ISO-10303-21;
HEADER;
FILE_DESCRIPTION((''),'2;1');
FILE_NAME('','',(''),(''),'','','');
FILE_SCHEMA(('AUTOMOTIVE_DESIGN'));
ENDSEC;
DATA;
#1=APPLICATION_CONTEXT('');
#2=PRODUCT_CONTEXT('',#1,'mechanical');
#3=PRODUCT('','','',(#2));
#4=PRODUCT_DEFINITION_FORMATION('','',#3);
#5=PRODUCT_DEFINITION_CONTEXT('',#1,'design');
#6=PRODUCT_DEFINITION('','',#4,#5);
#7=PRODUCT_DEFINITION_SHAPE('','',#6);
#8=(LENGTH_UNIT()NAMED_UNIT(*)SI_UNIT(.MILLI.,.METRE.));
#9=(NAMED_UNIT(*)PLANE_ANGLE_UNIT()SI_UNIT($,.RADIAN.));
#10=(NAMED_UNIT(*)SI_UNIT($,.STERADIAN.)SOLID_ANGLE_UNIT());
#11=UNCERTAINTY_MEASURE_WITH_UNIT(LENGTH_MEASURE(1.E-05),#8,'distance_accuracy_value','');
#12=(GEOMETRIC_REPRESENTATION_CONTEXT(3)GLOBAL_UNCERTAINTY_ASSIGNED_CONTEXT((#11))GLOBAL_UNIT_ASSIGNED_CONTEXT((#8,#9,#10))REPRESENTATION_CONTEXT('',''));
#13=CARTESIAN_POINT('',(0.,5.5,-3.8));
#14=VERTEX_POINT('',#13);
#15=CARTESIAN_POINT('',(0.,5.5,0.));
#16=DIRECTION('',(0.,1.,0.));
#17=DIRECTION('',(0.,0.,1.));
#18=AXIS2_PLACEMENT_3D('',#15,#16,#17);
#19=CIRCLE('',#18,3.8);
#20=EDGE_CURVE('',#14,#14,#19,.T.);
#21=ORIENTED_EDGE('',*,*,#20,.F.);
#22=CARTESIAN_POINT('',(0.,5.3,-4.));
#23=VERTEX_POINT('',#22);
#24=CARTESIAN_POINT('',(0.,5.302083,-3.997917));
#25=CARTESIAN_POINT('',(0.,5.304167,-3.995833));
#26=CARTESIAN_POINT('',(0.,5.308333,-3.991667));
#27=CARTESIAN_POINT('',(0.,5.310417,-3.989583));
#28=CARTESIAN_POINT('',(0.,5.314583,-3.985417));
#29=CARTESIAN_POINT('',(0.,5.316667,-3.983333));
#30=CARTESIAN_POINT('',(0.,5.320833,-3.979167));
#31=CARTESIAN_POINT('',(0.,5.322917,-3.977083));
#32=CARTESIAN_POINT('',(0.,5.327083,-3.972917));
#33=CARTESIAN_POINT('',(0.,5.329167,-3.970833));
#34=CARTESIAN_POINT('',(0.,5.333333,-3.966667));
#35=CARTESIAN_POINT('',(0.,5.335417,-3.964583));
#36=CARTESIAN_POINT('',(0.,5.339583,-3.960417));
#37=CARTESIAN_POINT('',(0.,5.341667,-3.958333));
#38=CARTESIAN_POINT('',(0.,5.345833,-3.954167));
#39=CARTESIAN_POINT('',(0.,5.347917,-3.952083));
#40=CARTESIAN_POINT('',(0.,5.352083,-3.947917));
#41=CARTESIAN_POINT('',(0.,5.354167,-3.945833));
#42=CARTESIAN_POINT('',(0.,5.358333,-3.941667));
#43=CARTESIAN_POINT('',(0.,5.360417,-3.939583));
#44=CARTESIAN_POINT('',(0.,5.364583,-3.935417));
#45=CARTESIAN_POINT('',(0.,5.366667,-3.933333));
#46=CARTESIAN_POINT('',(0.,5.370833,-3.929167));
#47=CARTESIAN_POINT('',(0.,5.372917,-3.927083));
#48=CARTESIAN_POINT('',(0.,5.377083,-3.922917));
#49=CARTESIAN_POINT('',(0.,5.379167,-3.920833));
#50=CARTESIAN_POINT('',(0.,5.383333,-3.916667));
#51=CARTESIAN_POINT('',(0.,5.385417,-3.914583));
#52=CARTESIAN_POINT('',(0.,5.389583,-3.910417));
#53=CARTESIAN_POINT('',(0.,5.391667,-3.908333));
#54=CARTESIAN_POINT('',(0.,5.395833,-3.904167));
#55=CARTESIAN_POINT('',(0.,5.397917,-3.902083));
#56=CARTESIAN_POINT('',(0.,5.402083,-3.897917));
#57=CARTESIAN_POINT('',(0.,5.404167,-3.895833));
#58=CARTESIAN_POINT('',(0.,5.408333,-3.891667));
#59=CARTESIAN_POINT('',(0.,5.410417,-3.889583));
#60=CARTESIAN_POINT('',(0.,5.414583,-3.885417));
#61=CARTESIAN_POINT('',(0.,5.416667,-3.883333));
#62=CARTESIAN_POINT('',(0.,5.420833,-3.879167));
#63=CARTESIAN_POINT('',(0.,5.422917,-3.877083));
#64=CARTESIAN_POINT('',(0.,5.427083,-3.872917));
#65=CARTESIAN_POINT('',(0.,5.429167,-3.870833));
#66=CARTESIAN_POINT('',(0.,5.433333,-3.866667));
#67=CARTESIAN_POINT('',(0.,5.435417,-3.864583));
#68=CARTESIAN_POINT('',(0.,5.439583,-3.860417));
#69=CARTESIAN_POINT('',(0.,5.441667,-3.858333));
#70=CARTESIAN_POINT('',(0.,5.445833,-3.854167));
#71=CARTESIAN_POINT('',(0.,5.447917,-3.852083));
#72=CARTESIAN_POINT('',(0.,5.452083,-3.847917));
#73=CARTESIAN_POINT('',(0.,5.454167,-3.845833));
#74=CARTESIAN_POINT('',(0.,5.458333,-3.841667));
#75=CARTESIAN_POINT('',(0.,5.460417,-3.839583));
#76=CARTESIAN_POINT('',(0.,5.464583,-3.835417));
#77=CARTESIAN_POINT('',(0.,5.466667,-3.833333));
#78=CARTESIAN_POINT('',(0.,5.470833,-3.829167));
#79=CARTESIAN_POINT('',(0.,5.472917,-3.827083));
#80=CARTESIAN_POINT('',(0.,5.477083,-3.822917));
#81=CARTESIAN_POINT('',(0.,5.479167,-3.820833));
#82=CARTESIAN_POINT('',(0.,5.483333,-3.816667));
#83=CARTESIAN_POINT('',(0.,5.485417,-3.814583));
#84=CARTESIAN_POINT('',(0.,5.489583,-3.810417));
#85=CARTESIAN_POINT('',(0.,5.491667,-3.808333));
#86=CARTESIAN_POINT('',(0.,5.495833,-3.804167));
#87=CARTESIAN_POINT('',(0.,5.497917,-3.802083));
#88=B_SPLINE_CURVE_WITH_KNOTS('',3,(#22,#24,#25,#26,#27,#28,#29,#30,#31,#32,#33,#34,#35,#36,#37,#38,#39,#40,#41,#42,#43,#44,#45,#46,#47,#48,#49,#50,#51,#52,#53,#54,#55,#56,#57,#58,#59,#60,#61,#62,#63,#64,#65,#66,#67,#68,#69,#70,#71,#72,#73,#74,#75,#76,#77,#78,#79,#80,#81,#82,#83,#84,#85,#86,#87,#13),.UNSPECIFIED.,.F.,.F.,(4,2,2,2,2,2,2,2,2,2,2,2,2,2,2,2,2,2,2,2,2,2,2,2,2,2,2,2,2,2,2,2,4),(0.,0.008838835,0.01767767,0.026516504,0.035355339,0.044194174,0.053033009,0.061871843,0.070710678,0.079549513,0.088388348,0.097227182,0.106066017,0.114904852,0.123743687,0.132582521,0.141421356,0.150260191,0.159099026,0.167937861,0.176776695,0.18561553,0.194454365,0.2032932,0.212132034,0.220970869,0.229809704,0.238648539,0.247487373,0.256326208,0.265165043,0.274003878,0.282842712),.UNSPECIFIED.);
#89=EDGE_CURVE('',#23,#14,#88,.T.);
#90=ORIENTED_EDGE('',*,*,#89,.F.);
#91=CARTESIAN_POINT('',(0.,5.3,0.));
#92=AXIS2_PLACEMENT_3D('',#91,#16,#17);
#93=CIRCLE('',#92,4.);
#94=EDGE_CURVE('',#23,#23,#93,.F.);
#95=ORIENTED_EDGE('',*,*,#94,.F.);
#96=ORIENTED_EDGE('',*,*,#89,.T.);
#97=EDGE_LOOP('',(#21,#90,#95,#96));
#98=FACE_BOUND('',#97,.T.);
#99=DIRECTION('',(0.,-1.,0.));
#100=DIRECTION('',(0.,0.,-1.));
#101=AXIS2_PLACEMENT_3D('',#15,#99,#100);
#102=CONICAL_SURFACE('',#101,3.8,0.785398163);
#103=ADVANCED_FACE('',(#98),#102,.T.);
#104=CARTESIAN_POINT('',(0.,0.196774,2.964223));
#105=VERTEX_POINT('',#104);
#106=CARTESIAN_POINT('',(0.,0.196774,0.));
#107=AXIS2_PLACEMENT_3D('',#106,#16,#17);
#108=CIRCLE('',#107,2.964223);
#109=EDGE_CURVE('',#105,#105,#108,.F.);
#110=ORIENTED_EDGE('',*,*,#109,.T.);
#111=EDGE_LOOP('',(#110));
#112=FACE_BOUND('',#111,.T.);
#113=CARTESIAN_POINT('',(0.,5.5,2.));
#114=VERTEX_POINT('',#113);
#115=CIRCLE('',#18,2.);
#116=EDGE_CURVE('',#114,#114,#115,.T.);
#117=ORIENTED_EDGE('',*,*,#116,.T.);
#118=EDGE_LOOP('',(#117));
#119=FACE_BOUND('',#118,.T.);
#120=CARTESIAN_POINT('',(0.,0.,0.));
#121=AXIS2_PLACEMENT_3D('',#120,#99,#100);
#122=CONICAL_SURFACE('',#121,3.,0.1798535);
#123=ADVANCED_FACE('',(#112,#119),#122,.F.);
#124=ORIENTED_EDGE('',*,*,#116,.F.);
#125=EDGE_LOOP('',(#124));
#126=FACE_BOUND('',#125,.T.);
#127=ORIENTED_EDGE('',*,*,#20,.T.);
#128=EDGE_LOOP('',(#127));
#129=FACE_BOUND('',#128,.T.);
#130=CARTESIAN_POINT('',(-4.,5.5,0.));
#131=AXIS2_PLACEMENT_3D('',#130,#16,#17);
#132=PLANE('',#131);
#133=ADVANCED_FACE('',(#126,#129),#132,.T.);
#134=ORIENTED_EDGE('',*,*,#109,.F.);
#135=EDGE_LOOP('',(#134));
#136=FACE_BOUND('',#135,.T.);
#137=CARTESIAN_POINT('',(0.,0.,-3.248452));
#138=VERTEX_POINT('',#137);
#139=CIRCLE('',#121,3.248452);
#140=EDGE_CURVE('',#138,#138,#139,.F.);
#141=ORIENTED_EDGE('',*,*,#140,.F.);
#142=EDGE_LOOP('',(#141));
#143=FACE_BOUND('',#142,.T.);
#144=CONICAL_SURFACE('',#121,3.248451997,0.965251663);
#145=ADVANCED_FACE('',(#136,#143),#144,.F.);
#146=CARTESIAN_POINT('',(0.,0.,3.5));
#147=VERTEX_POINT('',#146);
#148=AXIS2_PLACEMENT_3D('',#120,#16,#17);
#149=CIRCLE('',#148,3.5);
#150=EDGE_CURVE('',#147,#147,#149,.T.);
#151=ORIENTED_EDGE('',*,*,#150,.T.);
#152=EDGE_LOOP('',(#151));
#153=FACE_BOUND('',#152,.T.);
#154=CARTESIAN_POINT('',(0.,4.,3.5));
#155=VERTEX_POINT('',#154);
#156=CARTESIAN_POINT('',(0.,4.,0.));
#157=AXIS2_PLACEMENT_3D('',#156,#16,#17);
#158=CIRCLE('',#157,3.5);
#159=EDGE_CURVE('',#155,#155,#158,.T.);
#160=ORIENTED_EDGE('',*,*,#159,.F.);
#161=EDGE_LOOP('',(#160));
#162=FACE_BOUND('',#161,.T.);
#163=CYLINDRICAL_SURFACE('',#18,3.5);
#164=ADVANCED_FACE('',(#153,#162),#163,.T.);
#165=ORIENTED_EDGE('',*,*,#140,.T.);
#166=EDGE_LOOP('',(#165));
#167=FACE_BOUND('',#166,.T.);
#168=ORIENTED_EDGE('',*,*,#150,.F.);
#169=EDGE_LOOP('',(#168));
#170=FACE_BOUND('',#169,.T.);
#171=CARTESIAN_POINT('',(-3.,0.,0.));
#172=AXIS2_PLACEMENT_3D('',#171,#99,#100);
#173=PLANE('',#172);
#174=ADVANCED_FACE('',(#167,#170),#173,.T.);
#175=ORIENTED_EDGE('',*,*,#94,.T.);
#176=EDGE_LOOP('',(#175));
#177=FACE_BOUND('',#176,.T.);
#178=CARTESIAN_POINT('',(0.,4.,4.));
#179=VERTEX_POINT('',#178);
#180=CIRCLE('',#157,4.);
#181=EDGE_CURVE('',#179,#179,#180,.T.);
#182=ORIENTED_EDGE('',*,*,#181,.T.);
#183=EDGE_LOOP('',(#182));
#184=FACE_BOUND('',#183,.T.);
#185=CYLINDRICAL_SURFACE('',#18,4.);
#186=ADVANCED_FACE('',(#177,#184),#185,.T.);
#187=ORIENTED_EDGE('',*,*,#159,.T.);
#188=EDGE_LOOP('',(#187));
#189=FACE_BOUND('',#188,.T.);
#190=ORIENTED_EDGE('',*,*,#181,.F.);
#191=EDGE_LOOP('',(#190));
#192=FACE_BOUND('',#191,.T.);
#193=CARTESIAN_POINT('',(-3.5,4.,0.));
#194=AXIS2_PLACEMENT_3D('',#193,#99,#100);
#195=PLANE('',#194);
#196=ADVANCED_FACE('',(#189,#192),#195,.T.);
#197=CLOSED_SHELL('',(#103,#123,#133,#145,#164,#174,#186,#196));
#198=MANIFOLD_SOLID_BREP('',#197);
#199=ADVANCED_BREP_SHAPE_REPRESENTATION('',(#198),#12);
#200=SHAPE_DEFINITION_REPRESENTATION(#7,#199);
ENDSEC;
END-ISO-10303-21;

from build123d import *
from OCP.BRepFilletAPI import BRepFilletAPI_MakeChamfer

# Parameters (mm, degrees)
CHAMFER1_SIZE  = 0.2
CHAMFER1_SIZE2 = 0.248451997


with BuildPart() as part:
    # Sketch1 → Revolve1 (revolve)
    with BuildSketch(Plane.XY, mode=Mode.PRIVATE) as revolve1_sk:
        Polygon((-3, 0), (-3.5, 0), (-3.5, 4), (-4, 4), (-4, 5.5), (-2, 5.5), align=None)
    revolve(revolve1_sk.sketch.rotate(Axis((0, 5.5, 0), (0, -1, 0)), 270), axis=Axis((0, 5.5, 0), (0, -1, 0)))

    # Chamfer1: one chamfer whose edges measure the first distance from different faces: ONE call of the kernel's chamfer builder (chamfer() names one face for all edges)
    chamfer1_edges_1 = [part.edges().sort_by_distance(p)[0] for p in [
        (0, 5.5, -4),
    ]]
    chamfer1_edges_2 = [part.edges().sort_by_distance(p)[0] for p in [
        (0, 0, -3),
    ]]
    chamfer1_side_2 = [part.faces().sort_by_distance(p)[0] for p in [
        (0, 2.75, -2.5),
    ]]
    chamfer1 = BRepFilletAPI_MakeChamfer(part.part.solid().wrapped)
    for e in chamfer1_edges_1:
        chamfer1.Add(CHAMFER1_SIZE, e.wrapped)
    for e in chamfer1_edges_2:
        chamfer1.Add(CHAMFER1_SIZE, CHAMFER1_SIZE2, e.wrapped, chamfer1_side_2[0].wrapped)  # the first distance lies on this face
    add(Compound.cast(chamfer1.Shape()), mode=Mode.REPLACE)


solid = part.part
